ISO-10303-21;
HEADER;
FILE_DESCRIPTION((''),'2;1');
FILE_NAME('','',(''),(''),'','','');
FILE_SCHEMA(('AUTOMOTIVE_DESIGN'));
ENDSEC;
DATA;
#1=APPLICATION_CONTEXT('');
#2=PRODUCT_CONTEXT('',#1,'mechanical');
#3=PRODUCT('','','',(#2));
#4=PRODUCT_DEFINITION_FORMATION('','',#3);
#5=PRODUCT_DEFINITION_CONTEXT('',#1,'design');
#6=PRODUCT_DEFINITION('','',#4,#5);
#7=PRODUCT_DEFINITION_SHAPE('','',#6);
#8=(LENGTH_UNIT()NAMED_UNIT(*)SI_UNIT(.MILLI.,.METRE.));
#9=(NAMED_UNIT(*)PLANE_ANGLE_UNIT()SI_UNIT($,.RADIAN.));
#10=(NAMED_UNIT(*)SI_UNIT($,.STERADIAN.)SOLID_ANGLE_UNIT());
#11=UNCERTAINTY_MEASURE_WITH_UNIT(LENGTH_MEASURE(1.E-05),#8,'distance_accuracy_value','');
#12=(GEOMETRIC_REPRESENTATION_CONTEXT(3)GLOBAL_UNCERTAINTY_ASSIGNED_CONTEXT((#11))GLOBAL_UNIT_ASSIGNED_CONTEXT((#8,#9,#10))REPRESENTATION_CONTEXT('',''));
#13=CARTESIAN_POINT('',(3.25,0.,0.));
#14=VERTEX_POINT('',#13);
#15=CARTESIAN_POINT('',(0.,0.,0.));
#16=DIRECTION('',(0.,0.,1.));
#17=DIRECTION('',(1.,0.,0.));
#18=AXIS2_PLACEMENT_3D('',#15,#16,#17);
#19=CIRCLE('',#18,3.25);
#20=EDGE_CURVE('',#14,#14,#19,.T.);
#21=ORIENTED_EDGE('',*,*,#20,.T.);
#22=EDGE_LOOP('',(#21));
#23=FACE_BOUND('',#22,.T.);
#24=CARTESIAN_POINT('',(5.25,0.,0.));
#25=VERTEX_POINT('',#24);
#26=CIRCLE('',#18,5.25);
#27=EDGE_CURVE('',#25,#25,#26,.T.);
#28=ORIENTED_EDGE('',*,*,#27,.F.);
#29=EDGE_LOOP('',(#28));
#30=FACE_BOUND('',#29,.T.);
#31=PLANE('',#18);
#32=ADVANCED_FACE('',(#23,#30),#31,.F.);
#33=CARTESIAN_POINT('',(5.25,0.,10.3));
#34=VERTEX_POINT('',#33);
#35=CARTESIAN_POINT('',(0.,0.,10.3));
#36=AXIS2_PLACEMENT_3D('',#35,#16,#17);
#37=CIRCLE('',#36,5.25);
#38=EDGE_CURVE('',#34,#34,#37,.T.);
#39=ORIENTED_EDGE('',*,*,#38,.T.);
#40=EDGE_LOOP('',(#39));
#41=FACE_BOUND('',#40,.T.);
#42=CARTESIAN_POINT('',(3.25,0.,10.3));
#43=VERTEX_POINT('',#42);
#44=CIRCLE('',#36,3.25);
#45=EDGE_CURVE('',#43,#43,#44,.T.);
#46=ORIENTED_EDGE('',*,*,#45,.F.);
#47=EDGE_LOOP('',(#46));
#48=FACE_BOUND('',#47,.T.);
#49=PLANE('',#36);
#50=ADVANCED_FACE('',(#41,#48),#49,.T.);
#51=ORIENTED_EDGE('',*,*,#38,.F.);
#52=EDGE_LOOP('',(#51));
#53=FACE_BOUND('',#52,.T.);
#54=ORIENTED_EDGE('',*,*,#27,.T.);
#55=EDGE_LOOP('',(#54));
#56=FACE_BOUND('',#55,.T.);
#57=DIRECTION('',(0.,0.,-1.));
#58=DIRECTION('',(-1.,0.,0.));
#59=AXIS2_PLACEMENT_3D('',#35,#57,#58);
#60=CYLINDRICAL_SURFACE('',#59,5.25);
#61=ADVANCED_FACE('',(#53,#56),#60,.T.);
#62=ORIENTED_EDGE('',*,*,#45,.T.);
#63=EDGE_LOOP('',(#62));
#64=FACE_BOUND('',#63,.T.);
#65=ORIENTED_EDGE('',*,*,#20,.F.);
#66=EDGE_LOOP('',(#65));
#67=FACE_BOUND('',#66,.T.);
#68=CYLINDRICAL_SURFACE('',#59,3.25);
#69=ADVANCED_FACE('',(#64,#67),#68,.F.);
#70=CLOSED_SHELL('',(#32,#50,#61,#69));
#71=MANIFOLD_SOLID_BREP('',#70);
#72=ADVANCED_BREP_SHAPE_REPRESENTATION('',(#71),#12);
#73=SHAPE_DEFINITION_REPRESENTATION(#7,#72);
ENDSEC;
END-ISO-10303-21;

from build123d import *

# Parameters (mm, degrees)
SKETCH_1_R      = 5.25
SKETCH_1_R_2    = 3.25
EXTRUDE_1_DEPTH = 10.3


with BuildPart() as part:
    # 草图1 → 凸台-拉伸1 (new body)
    with BuildSketch(Plane.XY):
        Circle(SKETCH_1_R)
        Circle(SKETCH_1_R_2, mode=Mode.SUBTRACT)
    extrude(amount=EXTRUDE_1_DEPTH)


solid = part.part
